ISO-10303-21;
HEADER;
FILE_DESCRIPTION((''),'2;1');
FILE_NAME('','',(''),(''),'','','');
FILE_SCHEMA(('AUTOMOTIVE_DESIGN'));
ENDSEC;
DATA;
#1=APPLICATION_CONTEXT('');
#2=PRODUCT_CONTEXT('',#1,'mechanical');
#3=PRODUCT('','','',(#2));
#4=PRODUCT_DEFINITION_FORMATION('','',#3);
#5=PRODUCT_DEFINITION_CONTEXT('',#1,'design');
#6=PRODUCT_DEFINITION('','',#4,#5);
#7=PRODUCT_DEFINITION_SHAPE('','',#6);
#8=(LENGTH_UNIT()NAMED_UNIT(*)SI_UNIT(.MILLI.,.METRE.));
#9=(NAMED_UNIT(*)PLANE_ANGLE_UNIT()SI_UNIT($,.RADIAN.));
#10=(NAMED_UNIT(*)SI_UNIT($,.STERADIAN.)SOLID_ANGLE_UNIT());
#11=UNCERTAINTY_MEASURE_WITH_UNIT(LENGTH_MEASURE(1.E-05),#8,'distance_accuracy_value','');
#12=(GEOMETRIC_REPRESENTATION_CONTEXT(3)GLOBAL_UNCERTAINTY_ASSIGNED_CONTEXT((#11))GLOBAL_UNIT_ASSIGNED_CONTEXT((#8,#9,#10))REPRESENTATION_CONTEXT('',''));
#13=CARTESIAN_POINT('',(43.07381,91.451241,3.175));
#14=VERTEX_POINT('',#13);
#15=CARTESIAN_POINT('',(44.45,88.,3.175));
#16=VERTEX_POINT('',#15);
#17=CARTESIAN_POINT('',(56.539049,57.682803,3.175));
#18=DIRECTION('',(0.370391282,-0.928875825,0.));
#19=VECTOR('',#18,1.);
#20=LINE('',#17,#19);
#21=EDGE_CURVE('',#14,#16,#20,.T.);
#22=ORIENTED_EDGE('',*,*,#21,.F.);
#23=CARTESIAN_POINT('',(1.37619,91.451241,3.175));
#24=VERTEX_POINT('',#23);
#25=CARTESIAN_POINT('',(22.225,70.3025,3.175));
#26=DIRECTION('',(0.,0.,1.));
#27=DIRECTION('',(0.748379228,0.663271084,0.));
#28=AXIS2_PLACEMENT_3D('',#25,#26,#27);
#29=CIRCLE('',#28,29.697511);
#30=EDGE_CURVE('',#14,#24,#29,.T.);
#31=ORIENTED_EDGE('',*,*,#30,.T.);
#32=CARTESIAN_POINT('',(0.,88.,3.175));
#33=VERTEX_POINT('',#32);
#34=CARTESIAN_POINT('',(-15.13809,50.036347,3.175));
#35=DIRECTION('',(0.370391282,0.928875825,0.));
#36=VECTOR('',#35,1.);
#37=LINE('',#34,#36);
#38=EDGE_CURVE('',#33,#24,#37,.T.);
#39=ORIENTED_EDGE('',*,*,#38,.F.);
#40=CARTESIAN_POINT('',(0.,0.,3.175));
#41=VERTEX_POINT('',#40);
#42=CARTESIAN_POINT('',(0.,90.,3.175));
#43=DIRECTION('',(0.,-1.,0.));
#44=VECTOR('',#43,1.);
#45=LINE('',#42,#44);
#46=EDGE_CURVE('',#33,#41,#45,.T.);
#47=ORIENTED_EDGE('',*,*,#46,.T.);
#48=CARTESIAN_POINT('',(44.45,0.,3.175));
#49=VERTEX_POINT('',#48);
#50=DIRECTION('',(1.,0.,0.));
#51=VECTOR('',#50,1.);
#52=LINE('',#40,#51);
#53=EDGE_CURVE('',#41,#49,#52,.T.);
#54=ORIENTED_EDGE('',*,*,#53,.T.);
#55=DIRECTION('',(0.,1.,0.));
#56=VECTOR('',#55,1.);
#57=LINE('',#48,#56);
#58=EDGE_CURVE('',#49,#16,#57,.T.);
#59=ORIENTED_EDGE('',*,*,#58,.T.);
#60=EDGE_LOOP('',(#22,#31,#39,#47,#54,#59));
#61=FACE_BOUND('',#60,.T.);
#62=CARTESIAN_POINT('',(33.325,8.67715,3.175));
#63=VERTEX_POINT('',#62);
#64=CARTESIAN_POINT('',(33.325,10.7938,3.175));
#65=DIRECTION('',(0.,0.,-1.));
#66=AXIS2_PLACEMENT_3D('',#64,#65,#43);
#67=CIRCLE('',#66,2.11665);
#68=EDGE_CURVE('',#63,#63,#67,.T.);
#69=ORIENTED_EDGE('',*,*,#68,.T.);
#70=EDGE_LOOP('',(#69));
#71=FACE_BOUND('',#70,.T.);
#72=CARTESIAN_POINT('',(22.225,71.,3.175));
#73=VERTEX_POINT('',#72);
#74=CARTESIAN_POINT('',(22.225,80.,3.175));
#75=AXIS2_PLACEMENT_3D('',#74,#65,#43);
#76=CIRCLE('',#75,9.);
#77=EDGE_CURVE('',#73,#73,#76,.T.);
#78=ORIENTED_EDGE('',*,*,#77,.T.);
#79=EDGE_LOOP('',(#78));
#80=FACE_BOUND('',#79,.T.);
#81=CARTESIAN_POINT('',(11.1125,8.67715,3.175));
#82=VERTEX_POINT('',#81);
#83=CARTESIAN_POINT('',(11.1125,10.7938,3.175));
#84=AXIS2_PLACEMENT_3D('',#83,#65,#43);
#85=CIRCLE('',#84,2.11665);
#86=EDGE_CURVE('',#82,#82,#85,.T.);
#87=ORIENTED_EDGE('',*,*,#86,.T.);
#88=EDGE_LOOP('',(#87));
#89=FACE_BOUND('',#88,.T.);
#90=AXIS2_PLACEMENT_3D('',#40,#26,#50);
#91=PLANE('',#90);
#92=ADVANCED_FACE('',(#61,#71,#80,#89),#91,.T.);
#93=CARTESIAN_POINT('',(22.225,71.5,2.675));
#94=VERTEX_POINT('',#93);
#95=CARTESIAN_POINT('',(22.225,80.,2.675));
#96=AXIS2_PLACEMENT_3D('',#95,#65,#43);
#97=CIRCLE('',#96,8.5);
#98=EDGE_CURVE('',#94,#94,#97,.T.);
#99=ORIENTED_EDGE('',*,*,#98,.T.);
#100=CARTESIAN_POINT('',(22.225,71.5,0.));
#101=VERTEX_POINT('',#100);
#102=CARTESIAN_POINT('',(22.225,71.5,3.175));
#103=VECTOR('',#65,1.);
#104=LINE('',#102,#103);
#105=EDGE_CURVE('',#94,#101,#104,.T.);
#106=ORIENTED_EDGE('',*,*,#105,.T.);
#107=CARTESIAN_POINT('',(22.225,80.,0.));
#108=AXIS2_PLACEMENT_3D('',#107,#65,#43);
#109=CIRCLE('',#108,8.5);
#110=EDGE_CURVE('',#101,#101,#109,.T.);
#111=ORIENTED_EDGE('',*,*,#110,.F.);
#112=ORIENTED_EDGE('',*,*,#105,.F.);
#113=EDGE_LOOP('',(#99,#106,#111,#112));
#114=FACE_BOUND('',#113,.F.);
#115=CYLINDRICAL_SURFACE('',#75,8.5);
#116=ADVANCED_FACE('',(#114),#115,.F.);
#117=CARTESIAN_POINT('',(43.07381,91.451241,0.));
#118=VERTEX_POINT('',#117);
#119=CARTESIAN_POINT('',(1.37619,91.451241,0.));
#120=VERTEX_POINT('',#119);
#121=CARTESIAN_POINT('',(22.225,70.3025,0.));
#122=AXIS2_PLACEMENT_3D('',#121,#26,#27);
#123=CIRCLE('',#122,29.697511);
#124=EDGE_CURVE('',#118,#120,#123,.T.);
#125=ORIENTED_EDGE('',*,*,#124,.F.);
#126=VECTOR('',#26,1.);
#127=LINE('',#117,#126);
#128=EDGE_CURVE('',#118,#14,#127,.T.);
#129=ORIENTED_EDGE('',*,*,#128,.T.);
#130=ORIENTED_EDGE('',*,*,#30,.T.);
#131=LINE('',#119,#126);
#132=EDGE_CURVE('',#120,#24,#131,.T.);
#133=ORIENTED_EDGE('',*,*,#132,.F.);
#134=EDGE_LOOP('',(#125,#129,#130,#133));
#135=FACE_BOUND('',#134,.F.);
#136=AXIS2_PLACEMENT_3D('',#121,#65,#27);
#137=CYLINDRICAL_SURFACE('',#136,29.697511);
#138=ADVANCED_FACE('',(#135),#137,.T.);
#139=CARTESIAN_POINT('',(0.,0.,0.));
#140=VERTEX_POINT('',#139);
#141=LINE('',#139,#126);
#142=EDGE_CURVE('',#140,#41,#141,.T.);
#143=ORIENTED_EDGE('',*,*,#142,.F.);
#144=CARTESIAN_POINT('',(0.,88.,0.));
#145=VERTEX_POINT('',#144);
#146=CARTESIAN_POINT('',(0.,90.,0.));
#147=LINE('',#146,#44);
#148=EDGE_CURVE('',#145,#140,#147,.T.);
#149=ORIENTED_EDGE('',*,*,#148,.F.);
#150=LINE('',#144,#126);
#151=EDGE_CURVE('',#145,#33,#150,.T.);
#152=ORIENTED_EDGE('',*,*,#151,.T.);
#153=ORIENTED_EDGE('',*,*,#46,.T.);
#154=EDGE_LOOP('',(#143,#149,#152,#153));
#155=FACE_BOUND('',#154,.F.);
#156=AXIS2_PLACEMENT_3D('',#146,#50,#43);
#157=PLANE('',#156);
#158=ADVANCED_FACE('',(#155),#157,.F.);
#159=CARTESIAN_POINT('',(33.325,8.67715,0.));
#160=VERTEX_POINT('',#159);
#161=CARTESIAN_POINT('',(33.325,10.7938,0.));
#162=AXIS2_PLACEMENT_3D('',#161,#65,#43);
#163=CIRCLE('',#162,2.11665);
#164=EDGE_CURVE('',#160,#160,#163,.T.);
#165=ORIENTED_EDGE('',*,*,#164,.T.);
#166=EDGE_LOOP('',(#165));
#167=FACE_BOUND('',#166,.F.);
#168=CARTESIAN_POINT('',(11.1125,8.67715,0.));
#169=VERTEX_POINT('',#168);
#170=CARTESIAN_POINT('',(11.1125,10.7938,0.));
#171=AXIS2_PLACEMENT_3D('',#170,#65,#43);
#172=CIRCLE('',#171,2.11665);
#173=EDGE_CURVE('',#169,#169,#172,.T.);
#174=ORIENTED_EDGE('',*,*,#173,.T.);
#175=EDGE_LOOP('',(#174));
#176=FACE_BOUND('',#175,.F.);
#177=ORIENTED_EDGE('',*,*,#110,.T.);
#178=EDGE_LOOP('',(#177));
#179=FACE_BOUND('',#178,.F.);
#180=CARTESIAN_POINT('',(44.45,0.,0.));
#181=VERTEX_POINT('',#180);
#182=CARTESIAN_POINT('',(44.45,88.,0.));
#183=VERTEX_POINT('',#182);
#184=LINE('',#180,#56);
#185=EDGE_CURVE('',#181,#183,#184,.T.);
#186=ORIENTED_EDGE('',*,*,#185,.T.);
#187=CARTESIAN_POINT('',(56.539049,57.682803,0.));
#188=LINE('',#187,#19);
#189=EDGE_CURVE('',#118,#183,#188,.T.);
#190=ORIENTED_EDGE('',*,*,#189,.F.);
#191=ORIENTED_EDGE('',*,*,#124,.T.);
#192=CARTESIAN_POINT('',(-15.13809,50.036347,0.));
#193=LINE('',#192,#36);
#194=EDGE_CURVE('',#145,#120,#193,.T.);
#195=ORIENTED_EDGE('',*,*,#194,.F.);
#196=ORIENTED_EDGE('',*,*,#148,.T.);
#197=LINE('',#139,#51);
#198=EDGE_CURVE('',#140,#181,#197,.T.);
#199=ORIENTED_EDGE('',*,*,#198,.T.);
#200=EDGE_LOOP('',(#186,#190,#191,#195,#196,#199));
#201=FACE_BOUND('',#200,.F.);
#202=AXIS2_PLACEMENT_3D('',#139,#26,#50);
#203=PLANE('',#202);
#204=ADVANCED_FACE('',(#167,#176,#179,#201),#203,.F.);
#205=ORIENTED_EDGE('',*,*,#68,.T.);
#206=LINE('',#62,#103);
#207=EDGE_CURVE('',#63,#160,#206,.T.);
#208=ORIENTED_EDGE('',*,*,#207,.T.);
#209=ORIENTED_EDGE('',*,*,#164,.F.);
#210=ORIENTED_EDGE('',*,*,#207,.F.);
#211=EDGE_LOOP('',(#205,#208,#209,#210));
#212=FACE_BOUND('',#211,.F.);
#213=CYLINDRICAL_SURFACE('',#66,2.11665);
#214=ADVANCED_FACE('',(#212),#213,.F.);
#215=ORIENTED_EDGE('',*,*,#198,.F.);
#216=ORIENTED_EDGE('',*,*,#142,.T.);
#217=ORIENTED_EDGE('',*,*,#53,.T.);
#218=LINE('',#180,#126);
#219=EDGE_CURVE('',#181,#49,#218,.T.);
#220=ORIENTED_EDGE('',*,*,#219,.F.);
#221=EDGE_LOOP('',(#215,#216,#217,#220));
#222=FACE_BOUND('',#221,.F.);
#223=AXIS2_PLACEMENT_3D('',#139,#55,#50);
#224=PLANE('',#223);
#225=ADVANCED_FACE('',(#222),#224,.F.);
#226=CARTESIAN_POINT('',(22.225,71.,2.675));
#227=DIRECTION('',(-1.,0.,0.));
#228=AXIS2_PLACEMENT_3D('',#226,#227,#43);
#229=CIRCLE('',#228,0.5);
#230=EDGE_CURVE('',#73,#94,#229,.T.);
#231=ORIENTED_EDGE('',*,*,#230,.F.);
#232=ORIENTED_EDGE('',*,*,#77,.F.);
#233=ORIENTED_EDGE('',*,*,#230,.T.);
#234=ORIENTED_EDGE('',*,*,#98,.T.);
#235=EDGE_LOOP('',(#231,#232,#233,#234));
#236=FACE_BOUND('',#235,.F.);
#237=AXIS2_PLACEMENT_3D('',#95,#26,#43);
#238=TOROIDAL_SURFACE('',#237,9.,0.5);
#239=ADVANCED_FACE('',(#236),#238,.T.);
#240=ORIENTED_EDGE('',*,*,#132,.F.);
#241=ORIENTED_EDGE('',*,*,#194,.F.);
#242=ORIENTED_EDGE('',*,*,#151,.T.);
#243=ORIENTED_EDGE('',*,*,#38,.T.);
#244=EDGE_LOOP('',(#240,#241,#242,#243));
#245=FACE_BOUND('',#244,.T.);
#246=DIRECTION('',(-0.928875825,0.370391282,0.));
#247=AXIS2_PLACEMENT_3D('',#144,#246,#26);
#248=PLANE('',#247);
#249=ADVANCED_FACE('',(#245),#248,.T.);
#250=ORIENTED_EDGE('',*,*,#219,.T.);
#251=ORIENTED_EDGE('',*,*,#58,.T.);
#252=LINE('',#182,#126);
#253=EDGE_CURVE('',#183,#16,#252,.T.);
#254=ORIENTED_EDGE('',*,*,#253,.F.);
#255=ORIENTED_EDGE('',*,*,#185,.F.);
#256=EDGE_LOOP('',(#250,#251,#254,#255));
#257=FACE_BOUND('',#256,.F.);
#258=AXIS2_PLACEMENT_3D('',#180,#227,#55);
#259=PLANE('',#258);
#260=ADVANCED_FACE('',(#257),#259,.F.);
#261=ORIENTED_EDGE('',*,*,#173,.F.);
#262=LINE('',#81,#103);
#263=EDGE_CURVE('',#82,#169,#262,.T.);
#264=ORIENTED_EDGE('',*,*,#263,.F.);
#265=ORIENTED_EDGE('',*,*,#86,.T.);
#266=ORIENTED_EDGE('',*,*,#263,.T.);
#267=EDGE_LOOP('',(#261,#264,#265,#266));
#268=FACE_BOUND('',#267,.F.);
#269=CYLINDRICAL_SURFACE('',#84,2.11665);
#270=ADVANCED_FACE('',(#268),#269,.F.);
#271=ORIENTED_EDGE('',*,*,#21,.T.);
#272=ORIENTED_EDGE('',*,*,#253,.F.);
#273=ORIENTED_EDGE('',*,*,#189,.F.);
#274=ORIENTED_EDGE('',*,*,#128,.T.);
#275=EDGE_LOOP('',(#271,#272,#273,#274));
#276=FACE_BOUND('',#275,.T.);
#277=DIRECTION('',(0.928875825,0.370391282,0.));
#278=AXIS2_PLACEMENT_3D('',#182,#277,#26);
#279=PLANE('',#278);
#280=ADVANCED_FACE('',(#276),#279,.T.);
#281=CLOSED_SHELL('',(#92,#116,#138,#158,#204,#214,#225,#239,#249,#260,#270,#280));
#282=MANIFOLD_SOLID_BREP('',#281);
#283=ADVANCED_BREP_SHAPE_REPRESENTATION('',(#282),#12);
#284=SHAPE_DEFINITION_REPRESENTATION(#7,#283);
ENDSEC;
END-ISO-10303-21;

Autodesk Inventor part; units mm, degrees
ref_plane "YZ Plane" through (0, 0, 0) normal (1, 0, 0) x (0, 1, 0)
ref_plane "XZ Plane" through (0, 0, 0) normal (0, 1, 0) x (-1, 0, 0)
ref_plane "XY Plane" through (0, 0, 0) normal (0, 0, 1) x (1, 0, 0)
sketch "Sketch2" plane through (0, 0, 0) normal (0, 0, 1) x (1, 0, 0)
  line L0 (0, 0) -> (44.45, 0)
  line L1 (44.45, 0) -> (44.45, 90)
  line L2 (0, 90) -> (0, 0)
  arc A0 (44.45, 90) -> (0, 90) centre (22.225, 70.3025) ccw
  dimension "d3" = 44.45
  dimension "d4" = 100
  dimension "d5" = 90
extrude "Extrusion1" add sketch "Sketch2" along normal blind 3.175
chamfer "Chamfer1" distance 2 angle 45 2 edges at (44.45, 90, 1.5875) (0, 90, 1.5875)
sketch "Sketch3" plane through (0, 0, 3.175) normal (0, 0, 1) x (1, 0, 0)
  line L0 (0, 88) -> (0, 0) projected
  line L1 (0, 0) -> (44.45, 0) projected
  point P0 (22.225, 80)
  point P1 (22.225, 0)
  dimension "d13" = 80
hole "Hole1" at (22.225, 80, 3.175) direction (0, 0, -1) diameter 17 end through all
fillet "Fillet1" radius 0.5 1 edges at (22.225, 88.5, 3.175)
sketch "Sketch4" plane through (0, 0, 3.175) normal (0, 0, 1) x (1, 0, 0)
  line L0 (0, 0) -> (44.45, 0) projected
  line L1 (0, 88) -> (0, 0) projected
  line L2 (44.45, 0) -> (44.45, 88) projected
  point P0 (11.1125, 10.7938)
  point P1 (33.325, 10.7938)
  dimension "d22" = 44.45
  dimension "d23" = 11.1125
  dimension "d24" = 11.125
hole "Hole2" at (11.1125, 10.7938, 3.175) at (33.325, 10.7938, 3.175) direction (0, 0, -1) diameter 4.2333 end through all
properties part number "platen_support"
